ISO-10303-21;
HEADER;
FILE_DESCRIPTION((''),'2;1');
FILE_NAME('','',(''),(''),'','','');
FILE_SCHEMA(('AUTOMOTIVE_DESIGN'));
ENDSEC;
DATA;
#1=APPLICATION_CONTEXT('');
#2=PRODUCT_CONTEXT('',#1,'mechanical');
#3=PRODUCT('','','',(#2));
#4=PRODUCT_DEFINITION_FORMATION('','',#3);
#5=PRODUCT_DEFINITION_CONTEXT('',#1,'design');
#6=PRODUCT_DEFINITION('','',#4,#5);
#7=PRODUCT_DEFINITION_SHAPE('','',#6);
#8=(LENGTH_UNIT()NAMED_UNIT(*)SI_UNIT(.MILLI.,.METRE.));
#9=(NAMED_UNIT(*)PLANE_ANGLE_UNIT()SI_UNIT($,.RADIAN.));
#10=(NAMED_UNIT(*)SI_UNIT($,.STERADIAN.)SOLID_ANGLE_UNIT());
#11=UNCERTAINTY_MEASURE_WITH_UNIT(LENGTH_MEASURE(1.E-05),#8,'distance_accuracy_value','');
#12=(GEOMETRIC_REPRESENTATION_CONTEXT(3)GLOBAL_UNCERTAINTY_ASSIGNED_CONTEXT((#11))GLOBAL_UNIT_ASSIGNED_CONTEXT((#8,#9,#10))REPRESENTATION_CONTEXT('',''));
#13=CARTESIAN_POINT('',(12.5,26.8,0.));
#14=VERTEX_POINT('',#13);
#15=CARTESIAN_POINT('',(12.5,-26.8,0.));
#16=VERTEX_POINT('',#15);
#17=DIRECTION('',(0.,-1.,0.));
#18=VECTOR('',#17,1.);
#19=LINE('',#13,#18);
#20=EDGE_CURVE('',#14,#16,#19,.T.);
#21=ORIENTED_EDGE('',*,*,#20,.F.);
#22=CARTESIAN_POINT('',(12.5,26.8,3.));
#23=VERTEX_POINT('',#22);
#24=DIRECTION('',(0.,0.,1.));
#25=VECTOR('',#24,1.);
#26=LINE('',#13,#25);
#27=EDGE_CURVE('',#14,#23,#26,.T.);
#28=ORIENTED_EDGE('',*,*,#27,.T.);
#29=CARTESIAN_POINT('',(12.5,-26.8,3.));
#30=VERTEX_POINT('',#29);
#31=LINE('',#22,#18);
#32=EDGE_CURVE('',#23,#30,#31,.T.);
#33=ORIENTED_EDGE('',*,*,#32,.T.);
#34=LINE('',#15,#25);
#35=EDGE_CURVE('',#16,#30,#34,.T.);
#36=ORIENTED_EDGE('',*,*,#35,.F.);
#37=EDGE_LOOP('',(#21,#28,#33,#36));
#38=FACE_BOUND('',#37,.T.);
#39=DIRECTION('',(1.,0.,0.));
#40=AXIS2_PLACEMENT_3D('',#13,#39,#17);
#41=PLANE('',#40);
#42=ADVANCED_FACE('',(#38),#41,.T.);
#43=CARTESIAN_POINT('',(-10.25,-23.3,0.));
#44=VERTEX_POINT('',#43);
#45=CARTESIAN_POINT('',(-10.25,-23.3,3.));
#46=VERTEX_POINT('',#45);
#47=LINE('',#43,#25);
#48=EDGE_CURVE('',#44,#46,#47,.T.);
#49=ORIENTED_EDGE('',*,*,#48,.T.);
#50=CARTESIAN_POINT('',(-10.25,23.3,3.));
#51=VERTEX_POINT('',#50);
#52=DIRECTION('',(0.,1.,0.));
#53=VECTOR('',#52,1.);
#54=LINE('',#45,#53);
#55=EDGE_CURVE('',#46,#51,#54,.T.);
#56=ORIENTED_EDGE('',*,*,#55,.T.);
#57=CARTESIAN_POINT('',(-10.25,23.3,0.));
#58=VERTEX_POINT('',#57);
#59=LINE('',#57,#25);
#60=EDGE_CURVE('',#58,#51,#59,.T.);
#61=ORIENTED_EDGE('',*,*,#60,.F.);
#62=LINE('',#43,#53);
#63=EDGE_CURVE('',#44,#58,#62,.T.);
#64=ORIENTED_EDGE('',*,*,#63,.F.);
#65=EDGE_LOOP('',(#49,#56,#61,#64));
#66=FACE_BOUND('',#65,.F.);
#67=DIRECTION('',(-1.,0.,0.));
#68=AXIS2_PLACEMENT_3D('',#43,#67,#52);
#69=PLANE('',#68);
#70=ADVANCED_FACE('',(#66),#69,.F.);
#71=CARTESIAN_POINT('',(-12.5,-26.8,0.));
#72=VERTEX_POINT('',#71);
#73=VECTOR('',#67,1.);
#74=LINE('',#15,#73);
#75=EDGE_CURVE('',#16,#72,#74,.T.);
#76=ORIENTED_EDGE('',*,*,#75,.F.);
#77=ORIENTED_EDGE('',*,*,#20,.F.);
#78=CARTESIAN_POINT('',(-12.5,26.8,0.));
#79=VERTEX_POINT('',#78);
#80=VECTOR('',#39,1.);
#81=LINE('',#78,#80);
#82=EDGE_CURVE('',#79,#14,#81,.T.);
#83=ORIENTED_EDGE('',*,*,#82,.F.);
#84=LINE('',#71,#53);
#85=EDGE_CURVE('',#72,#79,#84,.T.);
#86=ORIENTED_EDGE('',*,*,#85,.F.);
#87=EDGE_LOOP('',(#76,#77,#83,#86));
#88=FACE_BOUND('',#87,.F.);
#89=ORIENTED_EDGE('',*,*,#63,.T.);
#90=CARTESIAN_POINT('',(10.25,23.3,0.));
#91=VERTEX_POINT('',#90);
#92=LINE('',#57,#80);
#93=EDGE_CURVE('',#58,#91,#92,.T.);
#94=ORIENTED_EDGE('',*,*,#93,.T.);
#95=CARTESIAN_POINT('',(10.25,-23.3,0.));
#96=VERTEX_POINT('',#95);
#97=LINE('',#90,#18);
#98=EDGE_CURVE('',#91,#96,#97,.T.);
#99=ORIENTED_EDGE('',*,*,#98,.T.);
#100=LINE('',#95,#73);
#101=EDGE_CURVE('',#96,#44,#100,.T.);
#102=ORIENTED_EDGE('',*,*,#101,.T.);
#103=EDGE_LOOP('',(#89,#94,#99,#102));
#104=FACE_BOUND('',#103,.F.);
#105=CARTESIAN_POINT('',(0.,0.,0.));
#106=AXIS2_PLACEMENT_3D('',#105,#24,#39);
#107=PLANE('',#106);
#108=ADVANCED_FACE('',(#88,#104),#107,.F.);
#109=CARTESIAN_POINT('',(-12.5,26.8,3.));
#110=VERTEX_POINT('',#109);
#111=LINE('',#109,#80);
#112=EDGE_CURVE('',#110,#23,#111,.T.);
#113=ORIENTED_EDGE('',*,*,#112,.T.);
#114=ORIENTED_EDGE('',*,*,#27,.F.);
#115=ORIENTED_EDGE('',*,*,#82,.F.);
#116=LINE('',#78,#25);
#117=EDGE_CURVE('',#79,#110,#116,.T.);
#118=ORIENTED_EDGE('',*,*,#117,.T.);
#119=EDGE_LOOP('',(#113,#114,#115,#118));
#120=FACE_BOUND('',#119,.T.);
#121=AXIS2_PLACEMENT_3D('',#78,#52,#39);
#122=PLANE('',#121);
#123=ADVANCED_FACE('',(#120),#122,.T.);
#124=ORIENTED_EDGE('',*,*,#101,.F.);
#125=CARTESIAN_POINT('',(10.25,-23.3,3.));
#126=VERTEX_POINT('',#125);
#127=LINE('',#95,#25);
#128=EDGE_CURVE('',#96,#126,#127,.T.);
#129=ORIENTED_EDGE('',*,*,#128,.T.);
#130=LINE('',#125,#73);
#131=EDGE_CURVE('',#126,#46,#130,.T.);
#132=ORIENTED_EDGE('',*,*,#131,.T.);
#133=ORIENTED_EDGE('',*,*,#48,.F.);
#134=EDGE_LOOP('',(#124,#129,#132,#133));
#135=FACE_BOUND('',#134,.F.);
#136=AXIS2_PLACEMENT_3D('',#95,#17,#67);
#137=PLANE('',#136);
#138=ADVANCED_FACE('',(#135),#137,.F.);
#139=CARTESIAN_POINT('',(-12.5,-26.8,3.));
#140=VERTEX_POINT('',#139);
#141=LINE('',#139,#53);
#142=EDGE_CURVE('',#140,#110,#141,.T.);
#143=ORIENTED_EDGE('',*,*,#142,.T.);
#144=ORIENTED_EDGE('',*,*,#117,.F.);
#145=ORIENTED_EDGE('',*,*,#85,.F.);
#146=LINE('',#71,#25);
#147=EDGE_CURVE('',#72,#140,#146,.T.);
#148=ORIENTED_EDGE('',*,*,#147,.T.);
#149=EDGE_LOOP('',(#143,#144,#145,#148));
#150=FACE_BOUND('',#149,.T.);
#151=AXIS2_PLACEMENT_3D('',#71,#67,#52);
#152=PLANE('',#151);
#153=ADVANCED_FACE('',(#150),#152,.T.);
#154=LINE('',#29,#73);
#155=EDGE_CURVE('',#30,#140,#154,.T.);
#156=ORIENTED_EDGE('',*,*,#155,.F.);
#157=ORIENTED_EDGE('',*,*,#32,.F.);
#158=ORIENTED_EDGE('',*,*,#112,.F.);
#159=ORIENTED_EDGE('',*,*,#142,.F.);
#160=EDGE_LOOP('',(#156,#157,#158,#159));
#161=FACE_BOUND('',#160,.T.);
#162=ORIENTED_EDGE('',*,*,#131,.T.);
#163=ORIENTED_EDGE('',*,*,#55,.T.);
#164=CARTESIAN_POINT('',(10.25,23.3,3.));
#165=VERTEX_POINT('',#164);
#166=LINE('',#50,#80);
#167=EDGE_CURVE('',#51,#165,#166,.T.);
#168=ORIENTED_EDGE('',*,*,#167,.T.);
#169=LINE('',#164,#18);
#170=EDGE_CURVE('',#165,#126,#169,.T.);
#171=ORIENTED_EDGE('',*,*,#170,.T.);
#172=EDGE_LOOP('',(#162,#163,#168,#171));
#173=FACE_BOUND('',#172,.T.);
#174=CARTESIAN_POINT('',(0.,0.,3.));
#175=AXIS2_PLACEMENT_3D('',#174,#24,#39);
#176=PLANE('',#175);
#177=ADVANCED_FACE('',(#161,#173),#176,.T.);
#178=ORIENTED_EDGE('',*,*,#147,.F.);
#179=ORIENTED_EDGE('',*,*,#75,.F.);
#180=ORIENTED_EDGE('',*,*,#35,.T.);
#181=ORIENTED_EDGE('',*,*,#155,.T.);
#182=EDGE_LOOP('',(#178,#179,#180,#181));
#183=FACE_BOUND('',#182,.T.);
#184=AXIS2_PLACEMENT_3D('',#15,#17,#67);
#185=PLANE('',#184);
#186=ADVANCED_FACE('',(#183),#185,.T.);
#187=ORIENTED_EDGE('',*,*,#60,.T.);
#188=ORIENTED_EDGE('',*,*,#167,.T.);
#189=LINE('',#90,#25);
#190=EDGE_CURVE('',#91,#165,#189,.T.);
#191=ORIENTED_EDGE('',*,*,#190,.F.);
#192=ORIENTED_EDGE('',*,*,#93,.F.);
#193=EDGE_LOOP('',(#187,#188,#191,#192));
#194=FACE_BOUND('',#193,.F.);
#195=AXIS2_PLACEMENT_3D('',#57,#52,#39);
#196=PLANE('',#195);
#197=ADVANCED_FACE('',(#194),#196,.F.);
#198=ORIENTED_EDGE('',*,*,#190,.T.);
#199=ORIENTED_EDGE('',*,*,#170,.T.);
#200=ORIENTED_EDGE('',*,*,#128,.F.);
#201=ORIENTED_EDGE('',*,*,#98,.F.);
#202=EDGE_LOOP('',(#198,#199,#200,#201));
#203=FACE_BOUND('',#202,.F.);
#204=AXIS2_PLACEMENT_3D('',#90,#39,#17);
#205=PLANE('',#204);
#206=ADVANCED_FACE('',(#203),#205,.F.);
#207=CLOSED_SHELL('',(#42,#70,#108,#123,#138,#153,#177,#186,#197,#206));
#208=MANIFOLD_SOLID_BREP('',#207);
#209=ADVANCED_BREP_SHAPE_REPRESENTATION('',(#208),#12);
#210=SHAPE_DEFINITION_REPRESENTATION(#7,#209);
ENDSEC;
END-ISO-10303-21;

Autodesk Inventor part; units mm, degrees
ref_plane "YZ Plane" through (0, 0, 0) normal (1, 0, 0) x (0, 1, 0)
ref_plane "XZ Plane" through (0, 0, 0) normal (0, 1, 0) x (-1, 0, 0)
ref_plane "XY Plane" through (0, 0, 0) normal (0, 0, 1) x (1, 0, 0)
sketch "Sketch1" plane through (0, 0, 0) normal (0, 0, 1) x (1, 0, 0)
  line L0 (-17.5, 0) -> (17.5, 0) construction
  line L1 (0, -37.52) -> (0, 37.52) construction
  line L2 (-12.5, 26.8) -> (12.5, 26.8)
  line L3 (12.5, 26.8) -> (12.5, -26.8)
  line L4 (12.5, -26.8) -> (-12.5, -26.8)
  line L5 (-12.5, -26.8) -> (-12.5, 26.8)
  line L6 (-10.25, 23.3) -> (10.25, 23.3)
  line L7 (10.25, 23.3) -> (10.25, -23.3)
  line L8 (10.25, -23.3) -> (-10.25, -23.3)
  line L9 (-10.25, -23.3) -> (-10.25, 23.3)
  point P0 (0, 0)
  dimension "d0" = 20.5
  dimension "d1" = 25
  dimension "d3" = 46.6
  dimension "d8" = 3.5
  dimension "d9" = 3.5
  dimension "d10" = 53.6
extrude "Extrusion1" add sketch "Sketch1" along normal blind 3
properties part number "20_Cube_Insert_Sample_clamp"
